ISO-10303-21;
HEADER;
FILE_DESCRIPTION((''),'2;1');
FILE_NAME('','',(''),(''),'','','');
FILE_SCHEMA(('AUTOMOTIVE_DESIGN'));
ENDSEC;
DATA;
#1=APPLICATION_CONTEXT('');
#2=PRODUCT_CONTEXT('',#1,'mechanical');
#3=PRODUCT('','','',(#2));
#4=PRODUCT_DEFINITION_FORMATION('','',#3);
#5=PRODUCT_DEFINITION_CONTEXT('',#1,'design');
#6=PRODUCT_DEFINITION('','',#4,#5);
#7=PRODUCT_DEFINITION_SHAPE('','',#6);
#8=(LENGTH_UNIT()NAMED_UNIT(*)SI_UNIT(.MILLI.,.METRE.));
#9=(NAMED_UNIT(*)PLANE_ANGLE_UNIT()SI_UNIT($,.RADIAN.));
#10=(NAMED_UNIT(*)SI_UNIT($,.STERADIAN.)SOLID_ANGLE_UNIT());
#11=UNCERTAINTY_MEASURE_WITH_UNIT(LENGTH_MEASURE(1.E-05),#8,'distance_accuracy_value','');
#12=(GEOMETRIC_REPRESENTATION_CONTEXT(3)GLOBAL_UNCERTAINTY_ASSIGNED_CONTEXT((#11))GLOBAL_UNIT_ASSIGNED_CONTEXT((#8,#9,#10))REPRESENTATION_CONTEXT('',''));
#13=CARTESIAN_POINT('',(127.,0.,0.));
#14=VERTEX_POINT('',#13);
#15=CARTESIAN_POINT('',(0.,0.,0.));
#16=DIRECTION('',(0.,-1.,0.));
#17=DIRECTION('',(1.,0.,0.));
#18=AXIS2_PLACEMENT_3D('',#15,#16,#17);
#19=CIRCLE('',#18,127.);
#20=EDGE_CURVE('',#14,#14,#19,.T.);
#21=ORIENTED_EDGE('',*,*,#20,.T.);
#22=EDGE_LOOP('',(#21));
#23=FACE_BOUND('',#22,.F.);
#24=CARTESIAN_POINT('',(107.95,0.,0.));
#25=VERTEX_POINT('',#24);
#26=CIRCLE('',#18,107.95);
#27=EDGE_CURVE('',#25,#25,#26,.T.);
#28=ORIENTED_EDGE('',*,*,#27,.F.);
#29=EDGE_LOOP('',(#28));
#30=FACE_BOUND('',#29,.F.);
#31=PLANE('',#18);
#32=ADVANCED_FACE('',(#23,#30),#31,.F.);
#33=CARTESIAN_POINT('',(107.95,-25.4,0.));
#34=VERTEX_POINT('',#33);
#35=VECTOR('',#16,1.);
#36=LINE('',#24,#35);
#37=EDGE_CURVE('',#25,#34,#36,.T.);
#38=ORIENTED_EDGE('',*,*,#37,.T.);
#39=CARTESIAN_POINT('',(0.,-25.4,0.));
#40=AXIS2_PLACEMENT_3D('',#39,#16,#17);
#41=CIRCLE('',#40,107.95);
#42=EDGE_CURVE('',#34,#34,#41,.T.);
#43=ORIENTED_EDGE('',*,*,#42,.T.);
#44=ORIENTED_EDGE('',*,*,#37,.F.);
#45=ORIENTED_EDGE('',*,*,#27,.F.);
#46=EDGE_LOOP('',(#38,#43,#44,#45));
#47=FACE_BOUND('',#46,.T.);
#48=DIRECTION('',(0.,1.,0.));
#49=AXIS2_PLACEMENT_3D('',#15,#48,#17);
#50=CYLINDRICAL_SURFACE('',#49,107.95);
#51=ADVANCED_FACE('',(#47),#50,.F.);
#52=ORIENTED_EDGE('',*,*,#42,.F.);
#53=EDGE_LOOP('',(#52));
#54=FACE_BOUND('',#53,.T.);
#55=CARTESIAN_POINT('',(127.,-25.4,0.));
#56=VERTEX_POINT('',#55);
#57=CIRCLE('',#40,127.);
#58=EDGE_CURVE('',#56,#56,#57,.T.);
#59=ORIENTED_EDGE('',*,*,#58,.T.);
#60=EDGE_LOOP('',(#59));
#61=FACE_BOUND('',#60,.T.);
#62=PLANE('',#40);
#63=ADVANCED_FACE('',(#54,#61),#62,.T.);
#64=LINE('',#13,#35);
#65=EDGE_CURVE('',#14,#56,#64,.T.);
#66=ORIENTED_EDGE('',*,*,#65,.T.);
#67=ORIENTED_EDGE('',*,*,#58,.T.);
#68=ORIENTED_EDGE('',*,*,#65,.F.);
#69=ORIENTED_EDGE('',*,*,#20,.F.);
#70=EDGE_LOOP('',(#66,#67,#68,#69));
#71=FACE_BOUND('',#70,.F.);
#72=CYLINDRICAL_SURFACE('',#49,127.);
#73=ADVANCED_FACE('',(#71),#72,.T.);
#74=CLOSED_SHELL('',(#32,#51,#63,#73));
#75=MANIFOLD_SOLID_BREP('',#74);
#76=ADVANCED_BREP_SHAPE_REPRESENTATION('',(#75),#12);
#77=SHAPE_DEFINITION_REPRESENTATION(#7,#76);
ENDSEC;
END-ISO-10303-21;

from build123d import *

# Parameters (mm, degrees)
F1_R     = 127
F1_R_2   = 107.95
F2_DEPTH = 25.4


with BuildPart() as f2:
    # F1 (on face) → F2 (new body)
    with BuildSketch(Plane.XZ):
        Circle(F1_R)
        Circle(F1_R_2, mode=Mode.SUBTRACT)
    extrude(amount=F2_DEPTH)


solid = f2.part
